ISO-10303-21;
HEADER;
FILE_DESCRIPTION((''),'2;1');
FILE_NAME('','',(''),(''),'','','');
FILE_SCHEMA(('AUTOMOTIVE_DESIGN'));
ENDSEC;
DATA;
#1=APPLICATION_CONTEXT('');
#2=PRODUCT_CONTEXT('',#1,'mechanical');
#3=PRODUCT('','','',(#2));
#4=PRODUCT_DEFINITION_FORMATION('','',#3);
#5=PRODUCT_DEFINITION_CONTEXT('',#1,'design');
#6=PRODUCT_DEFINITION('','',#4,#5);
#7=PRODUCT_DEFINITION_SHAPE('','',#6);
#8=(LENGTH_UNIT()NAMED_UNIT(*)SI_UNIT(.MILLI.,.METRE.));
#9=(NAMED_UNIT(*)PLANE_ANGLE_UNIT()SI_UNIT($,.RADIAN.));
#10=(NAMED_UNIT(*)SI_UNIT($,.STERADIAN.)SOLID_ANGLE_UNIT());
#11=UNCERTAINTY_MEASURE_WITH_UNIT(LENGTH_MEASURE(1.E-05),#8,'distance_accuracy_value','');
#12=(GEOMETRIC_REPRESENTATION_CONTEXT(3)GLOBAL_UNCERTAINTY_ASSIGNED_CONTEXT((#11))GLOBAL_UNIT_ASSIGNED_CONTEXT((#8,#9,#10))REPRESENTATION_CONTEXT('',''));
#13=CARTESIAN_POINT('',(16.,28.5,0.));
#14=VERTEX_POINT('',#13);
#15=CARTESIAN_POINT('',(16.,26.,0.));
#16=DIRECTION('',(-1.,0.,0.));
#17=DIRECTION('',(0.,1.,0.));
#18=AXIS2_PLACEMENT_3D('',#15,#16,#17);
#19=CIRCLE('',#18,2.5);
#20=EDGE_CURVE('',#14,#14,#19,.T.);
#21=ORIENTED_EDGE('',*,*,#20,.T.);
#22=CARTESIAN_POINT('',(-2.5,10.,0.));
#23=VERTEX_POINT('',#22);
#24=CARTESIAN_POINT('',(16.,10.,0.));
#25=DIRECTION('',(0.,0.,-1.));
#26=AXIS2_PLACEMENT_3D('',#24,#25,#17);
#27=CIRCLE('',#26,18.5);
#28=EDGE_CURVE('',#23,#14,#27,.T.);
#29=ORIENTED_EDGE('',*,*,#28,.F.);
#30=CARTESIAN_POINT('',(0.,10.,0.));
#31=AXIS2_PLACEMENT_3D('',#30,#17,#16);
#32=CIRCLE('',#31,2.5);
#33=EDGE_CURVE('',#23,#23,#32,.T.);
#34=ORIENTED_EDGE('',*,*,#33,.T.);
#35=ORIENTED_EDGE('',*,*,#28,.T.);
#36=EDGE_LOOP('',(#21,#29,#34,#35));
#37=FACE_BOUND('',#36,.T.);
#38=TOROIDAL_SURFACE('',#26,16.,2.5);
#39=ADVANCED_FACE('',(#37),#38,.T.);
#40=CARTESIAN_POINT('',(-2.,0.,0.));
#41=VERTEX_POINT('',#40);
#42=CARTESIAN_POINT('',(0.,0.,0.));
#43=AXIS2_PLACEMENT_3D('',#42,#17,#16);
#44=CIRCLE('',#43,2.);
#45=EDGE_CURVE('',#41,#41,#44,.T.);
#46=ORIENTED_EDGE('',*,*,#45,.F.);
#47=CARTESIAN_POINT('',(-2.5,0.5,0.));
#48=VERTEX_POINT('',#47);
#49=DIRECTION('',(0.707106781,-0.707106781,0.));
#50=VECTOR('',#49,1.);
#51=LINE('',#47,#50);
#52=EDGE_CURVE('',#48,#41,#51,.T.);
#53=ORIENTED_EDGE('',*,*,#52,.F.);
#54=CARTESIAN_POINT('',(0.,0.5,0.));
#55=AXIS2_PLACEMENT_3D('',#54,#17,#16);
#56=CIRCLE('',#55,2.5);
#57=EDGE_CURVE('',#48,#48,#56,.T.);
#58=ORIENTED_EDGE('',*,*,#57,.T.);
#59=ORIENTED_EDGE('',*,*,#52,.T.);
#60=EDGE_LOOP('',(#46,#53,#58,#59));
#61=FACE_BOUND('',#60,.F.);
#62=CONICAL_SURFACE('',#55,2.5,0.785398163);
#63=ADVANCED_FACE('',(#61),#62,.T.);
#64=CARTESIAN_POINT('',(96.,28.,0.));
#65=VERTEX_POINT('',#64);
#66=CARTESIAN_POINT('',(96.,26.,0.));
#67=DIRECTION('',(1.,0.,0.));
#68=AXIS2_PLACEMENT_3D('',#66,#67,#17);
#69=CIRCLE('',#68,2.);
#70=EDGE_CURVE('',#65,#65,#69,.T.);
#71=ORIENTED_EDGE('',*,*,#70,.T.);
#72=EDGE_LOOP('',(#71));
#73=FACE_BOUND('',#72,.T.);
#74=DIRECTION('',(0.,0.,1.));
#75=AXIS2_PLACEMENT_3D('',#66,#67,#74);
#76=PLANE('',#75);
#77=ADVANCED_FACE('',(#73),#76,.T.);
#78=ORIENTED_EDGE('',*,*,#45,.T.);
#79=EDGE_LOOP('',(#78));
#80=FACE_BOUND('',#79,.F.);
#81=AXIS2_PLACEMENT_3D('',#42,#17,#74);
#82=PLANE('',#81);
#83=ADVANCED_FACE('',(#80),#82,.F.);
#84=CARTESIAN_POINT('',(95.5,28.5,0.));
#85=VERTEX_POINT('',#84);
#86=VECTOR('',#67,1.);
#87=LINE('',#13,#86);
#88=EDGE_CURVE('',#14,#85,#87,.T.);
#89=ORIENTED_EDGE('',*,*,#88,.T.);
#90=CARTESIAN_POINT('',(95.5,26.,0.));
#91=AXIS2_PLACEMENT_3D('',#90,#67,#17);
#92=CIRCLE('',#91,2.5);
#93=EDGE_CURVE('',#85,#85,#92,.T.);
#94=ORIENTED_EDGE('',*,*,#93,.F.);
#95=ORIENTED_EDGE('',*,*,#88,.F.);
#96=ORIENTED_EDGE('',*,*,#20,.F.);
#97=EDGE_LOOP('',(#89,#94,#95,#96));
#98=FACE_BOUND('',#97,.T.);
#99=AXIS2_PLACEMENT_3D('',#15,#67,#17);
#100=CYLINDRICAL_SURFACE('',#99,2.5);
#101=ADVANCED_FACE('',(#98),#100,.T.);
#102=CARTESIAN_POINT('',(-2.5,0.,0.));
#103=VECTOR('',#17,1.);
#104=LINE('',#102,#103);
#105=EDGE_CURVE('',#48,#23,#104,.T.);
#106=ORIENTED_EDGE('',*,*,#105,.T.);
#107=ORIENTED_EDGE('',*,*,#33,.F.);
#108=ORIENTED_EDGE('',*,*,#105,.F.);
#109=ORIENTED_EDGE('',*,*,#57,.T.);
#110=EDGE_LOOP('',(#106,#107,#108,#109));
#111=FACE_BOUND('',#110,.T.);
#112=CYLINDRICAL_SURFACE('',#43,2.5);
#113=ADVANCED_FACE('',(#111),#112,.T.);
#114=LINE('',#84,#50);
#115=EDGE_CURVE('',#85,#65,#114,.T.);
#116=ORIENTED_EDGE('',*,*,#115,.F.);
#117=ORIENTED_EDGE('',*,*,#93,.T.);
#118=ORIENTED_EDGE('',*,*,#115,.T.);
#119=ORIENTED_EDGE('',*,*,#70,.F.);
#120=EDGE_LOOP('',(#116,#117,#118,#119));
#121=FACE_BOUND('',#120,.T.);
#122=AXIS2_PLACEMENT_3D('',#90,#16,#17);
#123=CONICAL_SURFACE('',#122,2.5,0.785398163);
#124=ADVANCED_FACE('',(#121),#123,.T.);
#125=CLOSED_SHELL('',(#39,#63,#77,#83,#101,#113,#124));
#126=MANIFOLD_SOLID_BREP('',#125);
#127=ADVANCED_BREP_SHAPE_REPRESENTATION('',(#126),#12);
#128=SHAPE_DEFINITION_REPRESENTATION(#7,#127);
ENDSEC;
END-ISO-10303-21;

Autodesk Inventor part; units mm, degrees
ref_plane "YZ Plane" through (0, 0, 0) normal (1, 0, 0) x (0, 1, 0)
ref_plane "XZ Plane" through (0, 0, 0) normal (0, 1, 0) x (-1, 0, 0)
ref_plane "XY Plane" through (0, 0, 0) normal (0, 0, 1) x (1, 0, 0)
sketch "Sketch1" plane through (0, 0, 0) normal (0, 0, 1) x (1, 0, 0)
  line L0 (0, 0) -> (0, 10)
  arc A0 (16, 26) -> (0, 10) centre (16, 10) ccw
  line L1 (16, 26) -> (96, 26)
  dimension "d0" = 26
  dimension "d1" = 96
  dimension "d2" = 16
sketch "Sketch2" plane through (0, 0, 0) normal (0, 1, 0) x (-1, 0, 0)
  circle A0 centre (0, 0) radius 2.5
  dimension "d3" = 5
sweep "Sweep1" add profiles "Sketch2" path "Sketch1"
chamfer "Chamfer1" distance 0.5 angle 45 4 edges at (2.5, 0, 0) (2.5, 10, 0) (16, 23.5, 0) (96, 23.5, 0)
properties part number "Lever" material "Stainless Steel"
